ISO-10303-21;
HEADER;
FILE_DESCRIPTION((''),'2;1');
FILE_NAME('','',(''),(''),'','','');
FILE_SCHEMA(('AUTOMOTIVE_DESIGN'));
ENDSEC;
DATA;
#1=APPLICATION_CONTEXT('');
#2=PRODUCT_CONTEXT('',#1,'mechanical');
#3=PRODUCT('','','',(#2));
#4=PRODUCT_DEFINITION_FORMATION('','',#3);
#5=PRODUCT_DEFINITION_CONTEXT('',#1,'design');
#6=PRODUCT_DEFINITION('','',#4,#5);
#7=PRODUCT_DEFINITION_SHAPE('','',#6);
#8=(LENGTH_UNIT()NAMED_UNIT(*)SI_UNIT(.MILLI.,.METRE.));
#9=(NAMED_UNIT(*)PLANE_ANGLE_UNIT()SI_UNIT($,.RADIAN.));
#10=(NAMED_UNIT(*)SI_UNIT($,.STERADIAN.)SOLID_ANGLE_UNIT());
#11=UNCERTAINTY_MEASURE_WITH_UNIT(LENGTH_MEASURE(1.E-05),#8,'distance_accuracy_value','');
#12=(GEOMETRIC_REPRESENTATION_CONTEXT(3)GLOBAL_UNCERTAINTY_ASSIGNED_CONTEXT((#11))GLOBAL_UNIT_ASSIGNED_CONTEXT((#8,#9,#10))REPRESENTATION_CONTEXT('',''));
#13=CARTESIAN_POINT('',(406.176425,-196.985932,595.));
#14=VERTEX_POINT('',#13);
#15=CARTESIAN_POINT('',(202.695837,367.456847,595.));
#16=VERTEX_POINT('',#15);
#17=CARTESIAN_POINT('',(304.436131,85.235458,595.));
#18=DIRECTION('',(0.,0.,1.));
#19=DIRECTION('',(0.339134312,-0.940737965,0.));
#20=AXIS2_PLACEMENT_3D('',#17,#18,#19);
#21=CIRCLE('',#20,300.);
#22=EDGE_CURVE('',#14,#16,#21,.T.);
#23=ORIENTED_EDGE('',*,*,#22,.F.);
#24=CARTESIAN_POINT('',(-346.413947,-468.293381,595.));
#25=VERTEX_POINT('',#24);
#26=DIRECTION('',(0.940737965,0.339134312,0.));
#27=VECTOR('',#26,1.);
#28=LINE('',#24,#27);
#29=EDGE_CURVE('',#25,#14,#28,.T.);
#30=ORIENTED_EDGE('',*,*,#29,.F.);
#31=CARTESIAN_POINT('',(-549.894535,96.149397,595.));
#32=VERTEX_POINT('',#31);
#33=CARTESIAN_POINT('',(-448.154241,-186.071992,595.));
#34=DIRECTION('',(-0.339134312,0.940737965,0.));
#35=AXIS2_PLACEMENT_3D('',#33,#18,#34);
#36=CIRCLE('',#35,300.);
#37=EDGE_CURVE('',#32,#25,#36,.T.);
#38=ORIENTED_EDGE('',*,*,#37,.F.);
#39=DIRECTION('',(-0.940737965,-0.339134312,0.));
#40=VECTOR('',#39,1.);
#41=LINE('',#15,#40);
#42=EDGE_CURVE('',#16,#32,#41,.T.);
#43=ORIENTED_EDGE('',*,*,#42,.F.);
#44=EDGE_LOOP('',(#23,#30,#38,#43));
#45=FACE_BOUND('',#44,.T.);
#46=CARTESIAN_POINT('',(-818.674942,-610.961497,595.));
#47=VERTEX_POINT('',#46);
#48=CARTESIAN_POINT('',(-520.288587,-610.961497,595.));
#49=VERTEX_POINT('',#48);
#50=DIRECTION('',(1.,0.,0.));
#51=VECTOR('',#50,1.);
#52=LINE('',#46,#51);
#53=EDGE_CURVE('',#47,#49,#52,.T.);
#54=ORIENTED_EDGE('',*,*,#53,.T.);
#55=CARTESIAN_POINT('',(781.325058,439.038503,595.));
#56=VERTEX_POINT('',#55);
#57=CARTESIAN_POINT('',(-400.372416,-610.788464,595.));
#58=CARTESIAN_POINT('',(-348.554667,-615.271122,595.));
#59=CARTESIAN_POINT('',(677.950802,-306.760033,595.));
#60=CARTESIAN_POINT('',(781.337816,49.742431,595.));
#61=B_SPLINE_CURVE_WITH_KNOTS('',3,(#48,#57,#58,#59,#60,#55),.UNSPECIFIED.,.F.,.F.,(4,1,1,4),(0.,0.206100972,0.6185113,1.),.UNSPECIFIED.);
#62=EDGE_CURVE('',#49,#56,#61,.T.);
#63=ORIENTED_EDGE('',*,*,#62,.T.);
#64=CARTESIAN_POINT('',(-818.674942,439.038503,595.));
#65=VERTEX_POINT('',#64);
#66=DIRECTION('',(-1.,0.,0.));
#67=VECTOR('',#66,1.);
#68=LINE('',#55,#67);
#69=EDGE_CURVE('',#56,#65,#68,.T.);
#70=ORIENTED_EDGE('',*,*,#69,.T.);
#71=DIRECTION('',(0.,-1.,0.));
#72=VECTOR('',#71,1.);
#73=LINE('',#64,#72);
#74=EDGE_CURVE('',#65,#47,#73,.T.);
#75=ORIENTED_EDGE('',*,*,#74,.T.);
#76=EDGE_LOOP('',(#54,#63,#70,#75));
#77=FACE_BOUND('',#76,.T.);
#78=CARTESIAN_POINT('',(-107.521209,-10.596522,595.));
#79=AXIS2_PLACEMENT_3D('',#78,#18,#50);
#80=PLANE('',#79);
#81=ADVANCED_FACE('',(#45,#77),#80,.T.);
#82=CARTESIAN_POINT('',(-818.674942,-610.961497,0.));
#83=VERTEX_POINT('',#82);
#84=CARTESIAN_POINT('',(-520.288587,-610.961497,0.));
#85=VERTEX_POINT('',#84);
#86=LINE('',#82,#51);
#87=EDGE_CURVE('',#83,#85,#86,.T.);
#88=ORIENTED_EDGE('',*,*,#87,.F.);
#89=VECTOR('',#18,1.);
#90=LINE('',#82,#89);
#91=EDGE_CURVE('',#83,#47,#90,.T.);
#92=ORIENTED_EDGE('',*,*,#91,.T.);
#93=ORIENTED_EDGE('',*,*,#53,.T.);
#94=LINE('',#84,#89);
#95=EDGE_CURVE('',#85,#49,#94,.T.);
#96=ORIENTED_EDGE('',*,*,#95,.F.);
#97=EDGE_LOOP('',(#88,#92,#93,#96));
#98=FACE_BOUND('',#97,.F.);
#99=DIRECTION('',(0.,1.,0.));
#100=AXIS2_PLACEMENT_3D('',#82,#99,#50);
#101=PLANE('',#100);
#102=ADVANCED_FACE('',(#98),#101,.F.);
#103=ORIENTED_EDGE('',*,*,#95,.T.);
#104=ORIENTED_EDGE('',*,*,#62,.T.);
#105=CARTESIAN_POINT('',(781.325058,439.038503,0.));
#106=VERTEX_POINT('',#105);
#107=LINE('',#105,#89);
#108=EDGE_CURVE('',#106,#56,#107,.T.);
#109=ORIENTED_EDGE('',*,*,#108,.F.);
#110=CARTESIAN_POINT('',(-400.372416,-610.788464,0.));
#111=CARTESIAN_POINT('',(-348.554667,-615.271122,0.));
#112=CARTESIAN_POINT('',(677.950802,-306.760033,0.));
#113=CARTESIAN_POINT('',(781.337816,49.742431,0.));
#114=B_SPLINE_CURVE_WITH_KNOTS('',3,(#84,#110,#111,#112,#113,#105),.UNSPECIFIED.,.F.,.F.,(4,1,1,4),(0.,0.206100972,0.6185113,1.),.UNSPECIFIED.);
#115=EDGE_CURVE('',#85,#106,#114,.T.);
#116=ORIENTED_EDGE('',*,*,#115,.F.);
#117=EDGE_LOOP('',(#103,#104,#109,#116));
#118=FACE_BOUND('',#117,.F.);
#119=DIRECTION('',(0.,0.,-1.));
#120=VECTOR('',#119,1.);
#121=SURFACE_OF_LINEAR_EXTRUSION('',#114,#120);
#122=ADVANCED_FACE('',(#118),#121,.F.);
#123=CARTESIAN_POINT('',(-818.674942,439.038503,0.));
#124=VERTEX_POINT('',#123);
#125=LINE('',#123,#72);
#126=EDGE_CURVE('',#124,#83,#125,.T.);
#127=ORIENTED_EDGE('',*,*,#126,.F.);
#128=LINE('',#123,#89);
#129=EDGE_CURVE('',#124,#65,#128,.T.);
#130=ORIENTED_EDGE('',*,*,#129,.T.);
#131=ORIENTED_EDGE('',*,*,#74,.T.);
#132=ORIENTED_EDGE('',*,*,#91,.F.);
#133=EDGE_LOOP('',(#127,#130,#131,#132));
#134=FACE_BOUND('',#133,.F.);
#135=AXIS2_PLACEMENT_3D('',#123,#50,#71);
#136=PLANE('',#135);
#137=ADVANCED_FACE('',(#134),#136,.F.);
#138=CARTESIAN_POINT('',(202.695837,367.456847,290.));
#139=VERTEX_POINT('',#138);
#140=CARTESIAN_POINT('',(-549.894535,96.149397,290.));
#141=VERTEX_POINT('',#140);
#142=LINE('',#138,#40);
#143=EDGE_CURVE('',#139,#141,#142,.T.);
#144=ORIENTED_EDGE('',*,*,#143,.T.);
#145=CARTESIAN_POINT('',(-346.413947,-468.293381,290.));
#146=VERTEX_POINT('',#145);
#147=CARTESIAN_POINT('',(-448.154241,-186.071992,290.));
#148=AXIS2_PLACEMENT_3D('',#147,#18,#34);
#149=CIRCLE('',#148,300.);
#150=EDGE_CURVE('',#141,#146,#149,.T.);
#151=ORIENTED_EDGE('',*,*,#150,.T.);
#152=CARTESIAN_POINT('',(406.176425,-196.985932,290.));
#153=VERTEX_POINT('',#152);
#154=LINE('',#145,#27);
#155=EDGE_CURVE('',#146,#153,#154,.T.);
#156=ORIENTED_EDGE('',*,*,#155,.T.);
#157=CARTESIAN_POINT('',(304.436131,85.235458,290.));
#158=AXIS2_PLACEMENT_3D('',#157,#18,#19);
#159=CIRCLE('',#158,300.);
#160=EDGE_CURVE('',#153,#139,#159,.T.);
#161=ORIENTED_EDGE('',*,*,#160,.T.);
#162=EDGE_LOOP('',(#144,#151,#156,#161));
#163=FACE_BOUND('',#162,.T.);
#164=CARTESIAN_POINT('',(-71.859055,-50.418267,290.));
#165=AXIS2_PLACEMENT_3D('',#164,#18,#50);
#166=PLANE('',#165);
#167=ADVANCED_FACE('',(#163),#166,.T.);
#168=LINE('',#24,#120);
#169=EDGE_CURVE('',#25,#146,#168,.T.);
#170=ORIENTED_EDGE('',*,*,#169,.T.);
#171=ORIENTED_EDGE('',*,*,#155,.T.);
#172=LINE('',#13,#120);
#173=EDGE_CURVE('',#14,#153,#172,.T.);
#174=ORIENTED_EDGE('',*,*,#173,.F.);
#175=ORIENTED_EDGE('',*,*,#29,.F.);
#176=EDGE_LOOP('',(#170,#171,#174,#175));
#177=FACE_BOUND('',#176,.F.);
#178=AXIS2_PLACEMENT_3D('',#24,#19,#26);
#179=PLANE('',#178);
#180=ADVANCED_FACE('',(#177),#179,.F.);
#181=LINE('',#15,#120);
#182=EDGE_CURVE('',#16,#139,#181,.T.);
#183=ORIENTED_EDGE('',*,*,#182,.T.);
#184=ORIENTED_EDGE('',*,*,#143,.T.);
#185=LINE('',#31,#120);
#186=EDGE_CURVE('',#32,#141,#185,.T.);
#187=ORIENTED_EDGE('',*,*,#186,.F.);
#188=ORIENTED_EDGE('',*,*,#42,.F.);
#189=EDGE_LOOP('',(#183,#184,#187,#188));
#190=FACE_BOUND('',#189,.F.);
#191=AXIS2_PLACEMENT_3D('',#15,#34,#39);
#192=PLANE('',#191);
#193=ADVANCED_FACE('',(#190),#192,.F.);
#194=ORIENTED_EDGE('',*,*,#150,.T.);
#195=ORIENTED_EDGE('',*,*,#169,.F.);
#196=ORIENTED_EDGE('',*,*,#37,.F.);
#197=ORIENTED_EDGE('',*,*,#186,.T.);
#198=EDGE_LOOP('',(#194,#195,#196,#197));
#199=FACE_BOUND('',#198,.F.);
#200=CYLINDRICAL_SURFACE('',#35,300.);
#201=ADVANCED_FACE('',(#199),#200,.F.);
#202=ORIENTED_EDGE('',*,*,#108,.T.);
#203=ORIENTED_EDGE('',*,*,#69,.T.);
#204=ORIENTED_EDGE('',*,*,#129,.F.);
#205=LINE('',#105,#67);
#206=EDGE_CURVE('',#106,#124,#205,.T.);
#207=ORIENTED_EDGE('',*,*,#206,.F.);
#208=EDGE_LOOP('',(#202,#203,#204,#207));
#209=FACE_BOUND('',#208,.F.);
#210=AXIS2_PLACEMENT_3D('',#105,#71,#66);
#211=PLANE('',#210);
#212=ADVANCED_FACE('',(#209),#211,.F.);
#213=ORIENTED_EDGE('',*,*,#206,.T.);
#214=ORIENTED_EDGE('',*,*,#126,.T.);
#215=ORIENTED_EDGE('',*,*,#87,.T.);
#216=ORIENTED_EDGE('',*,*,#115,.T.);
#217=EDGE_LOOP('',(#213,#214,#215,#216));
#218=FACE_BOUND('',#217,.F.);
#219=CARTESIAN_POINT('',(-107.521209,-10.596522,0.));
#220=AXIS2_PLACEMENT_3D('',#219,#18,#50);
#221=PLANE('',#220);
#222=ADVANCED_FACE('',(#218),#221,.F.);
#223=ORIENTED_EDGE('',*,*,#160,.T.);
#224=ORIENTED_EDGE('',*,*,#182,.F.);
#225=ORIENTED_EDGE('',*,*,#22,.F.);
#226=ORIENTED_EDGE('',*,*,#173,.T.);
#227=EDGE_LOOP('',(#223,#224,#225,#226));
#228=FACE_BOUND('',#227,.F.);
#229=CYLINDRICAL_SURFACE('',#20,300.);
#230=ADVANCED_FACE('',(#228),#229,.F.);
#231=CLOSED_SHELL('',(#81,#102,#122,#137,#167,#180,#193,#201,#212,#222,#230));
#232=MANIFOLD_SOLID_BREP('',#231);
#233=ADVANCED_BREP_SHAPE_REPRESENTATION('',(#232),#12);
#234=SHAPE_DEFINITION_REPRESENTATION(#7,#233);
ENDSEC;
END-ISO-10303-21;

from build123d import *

# Parameters (mm, degrees)
F1_DEPTH = 595
F3_DEPTH = 305


with BuildPart() as f1:
    # F0 (on Top) → F1 (new body)
    with BuildSketch(Plane.XY):
        with BuildLine():
            Line((781.3250578209, 439.03850317), (-818.6749421791, 439.03850317))
            Line((-818.6749421791, 439.03850317), (-818.6749421791, -610.96149683))
            Line((-818.6749421791, -610.96149683), (-520.2885866165, -610.96149683))
            add(Edge.make_bspline(
                [(-520.2885866165, -610.96149683), (-400.3724163575, -610.7884643122), (-348.5546672211, -615.2711222787), (677.9508016516, -306.760032696), (781.3378163617, 49.7424311157), (781.3250578209, 439.03850317)],
                knots=[0, 0, 0, 0, 0.2061009724, 0.6185113004, 1, 1, 1, 1], degree=3))
        make_face()
    extrude(amount=F1_DEPTH)

    # F2 (on face) → F3 (cut)
    with BuildSketch(Plane.XY.offset(595)):
        with BuildLine():
            Line((202.6958372748, 367.4568472644), (-549.8945345089, 96.1493974984))
            ThreePointArc((-549.8945345089, 96.1493974984), (-730.3756302655, -287.8122855827), (-346.4139471844, -468.2933813393))
            Line((-346.4139471844, -468.2933813393), (406.1764245993, -196.9859315734))
            ThreePointArc((406.1764245993, -196.9859315734), (586.6575203559, 186.9757515078), (202.6958372748, 367.4568472644))
        make_face()
    extrude(amount=-F3_DEPTH, mode=Mode.SUBTRACT)


solid = f1.part
